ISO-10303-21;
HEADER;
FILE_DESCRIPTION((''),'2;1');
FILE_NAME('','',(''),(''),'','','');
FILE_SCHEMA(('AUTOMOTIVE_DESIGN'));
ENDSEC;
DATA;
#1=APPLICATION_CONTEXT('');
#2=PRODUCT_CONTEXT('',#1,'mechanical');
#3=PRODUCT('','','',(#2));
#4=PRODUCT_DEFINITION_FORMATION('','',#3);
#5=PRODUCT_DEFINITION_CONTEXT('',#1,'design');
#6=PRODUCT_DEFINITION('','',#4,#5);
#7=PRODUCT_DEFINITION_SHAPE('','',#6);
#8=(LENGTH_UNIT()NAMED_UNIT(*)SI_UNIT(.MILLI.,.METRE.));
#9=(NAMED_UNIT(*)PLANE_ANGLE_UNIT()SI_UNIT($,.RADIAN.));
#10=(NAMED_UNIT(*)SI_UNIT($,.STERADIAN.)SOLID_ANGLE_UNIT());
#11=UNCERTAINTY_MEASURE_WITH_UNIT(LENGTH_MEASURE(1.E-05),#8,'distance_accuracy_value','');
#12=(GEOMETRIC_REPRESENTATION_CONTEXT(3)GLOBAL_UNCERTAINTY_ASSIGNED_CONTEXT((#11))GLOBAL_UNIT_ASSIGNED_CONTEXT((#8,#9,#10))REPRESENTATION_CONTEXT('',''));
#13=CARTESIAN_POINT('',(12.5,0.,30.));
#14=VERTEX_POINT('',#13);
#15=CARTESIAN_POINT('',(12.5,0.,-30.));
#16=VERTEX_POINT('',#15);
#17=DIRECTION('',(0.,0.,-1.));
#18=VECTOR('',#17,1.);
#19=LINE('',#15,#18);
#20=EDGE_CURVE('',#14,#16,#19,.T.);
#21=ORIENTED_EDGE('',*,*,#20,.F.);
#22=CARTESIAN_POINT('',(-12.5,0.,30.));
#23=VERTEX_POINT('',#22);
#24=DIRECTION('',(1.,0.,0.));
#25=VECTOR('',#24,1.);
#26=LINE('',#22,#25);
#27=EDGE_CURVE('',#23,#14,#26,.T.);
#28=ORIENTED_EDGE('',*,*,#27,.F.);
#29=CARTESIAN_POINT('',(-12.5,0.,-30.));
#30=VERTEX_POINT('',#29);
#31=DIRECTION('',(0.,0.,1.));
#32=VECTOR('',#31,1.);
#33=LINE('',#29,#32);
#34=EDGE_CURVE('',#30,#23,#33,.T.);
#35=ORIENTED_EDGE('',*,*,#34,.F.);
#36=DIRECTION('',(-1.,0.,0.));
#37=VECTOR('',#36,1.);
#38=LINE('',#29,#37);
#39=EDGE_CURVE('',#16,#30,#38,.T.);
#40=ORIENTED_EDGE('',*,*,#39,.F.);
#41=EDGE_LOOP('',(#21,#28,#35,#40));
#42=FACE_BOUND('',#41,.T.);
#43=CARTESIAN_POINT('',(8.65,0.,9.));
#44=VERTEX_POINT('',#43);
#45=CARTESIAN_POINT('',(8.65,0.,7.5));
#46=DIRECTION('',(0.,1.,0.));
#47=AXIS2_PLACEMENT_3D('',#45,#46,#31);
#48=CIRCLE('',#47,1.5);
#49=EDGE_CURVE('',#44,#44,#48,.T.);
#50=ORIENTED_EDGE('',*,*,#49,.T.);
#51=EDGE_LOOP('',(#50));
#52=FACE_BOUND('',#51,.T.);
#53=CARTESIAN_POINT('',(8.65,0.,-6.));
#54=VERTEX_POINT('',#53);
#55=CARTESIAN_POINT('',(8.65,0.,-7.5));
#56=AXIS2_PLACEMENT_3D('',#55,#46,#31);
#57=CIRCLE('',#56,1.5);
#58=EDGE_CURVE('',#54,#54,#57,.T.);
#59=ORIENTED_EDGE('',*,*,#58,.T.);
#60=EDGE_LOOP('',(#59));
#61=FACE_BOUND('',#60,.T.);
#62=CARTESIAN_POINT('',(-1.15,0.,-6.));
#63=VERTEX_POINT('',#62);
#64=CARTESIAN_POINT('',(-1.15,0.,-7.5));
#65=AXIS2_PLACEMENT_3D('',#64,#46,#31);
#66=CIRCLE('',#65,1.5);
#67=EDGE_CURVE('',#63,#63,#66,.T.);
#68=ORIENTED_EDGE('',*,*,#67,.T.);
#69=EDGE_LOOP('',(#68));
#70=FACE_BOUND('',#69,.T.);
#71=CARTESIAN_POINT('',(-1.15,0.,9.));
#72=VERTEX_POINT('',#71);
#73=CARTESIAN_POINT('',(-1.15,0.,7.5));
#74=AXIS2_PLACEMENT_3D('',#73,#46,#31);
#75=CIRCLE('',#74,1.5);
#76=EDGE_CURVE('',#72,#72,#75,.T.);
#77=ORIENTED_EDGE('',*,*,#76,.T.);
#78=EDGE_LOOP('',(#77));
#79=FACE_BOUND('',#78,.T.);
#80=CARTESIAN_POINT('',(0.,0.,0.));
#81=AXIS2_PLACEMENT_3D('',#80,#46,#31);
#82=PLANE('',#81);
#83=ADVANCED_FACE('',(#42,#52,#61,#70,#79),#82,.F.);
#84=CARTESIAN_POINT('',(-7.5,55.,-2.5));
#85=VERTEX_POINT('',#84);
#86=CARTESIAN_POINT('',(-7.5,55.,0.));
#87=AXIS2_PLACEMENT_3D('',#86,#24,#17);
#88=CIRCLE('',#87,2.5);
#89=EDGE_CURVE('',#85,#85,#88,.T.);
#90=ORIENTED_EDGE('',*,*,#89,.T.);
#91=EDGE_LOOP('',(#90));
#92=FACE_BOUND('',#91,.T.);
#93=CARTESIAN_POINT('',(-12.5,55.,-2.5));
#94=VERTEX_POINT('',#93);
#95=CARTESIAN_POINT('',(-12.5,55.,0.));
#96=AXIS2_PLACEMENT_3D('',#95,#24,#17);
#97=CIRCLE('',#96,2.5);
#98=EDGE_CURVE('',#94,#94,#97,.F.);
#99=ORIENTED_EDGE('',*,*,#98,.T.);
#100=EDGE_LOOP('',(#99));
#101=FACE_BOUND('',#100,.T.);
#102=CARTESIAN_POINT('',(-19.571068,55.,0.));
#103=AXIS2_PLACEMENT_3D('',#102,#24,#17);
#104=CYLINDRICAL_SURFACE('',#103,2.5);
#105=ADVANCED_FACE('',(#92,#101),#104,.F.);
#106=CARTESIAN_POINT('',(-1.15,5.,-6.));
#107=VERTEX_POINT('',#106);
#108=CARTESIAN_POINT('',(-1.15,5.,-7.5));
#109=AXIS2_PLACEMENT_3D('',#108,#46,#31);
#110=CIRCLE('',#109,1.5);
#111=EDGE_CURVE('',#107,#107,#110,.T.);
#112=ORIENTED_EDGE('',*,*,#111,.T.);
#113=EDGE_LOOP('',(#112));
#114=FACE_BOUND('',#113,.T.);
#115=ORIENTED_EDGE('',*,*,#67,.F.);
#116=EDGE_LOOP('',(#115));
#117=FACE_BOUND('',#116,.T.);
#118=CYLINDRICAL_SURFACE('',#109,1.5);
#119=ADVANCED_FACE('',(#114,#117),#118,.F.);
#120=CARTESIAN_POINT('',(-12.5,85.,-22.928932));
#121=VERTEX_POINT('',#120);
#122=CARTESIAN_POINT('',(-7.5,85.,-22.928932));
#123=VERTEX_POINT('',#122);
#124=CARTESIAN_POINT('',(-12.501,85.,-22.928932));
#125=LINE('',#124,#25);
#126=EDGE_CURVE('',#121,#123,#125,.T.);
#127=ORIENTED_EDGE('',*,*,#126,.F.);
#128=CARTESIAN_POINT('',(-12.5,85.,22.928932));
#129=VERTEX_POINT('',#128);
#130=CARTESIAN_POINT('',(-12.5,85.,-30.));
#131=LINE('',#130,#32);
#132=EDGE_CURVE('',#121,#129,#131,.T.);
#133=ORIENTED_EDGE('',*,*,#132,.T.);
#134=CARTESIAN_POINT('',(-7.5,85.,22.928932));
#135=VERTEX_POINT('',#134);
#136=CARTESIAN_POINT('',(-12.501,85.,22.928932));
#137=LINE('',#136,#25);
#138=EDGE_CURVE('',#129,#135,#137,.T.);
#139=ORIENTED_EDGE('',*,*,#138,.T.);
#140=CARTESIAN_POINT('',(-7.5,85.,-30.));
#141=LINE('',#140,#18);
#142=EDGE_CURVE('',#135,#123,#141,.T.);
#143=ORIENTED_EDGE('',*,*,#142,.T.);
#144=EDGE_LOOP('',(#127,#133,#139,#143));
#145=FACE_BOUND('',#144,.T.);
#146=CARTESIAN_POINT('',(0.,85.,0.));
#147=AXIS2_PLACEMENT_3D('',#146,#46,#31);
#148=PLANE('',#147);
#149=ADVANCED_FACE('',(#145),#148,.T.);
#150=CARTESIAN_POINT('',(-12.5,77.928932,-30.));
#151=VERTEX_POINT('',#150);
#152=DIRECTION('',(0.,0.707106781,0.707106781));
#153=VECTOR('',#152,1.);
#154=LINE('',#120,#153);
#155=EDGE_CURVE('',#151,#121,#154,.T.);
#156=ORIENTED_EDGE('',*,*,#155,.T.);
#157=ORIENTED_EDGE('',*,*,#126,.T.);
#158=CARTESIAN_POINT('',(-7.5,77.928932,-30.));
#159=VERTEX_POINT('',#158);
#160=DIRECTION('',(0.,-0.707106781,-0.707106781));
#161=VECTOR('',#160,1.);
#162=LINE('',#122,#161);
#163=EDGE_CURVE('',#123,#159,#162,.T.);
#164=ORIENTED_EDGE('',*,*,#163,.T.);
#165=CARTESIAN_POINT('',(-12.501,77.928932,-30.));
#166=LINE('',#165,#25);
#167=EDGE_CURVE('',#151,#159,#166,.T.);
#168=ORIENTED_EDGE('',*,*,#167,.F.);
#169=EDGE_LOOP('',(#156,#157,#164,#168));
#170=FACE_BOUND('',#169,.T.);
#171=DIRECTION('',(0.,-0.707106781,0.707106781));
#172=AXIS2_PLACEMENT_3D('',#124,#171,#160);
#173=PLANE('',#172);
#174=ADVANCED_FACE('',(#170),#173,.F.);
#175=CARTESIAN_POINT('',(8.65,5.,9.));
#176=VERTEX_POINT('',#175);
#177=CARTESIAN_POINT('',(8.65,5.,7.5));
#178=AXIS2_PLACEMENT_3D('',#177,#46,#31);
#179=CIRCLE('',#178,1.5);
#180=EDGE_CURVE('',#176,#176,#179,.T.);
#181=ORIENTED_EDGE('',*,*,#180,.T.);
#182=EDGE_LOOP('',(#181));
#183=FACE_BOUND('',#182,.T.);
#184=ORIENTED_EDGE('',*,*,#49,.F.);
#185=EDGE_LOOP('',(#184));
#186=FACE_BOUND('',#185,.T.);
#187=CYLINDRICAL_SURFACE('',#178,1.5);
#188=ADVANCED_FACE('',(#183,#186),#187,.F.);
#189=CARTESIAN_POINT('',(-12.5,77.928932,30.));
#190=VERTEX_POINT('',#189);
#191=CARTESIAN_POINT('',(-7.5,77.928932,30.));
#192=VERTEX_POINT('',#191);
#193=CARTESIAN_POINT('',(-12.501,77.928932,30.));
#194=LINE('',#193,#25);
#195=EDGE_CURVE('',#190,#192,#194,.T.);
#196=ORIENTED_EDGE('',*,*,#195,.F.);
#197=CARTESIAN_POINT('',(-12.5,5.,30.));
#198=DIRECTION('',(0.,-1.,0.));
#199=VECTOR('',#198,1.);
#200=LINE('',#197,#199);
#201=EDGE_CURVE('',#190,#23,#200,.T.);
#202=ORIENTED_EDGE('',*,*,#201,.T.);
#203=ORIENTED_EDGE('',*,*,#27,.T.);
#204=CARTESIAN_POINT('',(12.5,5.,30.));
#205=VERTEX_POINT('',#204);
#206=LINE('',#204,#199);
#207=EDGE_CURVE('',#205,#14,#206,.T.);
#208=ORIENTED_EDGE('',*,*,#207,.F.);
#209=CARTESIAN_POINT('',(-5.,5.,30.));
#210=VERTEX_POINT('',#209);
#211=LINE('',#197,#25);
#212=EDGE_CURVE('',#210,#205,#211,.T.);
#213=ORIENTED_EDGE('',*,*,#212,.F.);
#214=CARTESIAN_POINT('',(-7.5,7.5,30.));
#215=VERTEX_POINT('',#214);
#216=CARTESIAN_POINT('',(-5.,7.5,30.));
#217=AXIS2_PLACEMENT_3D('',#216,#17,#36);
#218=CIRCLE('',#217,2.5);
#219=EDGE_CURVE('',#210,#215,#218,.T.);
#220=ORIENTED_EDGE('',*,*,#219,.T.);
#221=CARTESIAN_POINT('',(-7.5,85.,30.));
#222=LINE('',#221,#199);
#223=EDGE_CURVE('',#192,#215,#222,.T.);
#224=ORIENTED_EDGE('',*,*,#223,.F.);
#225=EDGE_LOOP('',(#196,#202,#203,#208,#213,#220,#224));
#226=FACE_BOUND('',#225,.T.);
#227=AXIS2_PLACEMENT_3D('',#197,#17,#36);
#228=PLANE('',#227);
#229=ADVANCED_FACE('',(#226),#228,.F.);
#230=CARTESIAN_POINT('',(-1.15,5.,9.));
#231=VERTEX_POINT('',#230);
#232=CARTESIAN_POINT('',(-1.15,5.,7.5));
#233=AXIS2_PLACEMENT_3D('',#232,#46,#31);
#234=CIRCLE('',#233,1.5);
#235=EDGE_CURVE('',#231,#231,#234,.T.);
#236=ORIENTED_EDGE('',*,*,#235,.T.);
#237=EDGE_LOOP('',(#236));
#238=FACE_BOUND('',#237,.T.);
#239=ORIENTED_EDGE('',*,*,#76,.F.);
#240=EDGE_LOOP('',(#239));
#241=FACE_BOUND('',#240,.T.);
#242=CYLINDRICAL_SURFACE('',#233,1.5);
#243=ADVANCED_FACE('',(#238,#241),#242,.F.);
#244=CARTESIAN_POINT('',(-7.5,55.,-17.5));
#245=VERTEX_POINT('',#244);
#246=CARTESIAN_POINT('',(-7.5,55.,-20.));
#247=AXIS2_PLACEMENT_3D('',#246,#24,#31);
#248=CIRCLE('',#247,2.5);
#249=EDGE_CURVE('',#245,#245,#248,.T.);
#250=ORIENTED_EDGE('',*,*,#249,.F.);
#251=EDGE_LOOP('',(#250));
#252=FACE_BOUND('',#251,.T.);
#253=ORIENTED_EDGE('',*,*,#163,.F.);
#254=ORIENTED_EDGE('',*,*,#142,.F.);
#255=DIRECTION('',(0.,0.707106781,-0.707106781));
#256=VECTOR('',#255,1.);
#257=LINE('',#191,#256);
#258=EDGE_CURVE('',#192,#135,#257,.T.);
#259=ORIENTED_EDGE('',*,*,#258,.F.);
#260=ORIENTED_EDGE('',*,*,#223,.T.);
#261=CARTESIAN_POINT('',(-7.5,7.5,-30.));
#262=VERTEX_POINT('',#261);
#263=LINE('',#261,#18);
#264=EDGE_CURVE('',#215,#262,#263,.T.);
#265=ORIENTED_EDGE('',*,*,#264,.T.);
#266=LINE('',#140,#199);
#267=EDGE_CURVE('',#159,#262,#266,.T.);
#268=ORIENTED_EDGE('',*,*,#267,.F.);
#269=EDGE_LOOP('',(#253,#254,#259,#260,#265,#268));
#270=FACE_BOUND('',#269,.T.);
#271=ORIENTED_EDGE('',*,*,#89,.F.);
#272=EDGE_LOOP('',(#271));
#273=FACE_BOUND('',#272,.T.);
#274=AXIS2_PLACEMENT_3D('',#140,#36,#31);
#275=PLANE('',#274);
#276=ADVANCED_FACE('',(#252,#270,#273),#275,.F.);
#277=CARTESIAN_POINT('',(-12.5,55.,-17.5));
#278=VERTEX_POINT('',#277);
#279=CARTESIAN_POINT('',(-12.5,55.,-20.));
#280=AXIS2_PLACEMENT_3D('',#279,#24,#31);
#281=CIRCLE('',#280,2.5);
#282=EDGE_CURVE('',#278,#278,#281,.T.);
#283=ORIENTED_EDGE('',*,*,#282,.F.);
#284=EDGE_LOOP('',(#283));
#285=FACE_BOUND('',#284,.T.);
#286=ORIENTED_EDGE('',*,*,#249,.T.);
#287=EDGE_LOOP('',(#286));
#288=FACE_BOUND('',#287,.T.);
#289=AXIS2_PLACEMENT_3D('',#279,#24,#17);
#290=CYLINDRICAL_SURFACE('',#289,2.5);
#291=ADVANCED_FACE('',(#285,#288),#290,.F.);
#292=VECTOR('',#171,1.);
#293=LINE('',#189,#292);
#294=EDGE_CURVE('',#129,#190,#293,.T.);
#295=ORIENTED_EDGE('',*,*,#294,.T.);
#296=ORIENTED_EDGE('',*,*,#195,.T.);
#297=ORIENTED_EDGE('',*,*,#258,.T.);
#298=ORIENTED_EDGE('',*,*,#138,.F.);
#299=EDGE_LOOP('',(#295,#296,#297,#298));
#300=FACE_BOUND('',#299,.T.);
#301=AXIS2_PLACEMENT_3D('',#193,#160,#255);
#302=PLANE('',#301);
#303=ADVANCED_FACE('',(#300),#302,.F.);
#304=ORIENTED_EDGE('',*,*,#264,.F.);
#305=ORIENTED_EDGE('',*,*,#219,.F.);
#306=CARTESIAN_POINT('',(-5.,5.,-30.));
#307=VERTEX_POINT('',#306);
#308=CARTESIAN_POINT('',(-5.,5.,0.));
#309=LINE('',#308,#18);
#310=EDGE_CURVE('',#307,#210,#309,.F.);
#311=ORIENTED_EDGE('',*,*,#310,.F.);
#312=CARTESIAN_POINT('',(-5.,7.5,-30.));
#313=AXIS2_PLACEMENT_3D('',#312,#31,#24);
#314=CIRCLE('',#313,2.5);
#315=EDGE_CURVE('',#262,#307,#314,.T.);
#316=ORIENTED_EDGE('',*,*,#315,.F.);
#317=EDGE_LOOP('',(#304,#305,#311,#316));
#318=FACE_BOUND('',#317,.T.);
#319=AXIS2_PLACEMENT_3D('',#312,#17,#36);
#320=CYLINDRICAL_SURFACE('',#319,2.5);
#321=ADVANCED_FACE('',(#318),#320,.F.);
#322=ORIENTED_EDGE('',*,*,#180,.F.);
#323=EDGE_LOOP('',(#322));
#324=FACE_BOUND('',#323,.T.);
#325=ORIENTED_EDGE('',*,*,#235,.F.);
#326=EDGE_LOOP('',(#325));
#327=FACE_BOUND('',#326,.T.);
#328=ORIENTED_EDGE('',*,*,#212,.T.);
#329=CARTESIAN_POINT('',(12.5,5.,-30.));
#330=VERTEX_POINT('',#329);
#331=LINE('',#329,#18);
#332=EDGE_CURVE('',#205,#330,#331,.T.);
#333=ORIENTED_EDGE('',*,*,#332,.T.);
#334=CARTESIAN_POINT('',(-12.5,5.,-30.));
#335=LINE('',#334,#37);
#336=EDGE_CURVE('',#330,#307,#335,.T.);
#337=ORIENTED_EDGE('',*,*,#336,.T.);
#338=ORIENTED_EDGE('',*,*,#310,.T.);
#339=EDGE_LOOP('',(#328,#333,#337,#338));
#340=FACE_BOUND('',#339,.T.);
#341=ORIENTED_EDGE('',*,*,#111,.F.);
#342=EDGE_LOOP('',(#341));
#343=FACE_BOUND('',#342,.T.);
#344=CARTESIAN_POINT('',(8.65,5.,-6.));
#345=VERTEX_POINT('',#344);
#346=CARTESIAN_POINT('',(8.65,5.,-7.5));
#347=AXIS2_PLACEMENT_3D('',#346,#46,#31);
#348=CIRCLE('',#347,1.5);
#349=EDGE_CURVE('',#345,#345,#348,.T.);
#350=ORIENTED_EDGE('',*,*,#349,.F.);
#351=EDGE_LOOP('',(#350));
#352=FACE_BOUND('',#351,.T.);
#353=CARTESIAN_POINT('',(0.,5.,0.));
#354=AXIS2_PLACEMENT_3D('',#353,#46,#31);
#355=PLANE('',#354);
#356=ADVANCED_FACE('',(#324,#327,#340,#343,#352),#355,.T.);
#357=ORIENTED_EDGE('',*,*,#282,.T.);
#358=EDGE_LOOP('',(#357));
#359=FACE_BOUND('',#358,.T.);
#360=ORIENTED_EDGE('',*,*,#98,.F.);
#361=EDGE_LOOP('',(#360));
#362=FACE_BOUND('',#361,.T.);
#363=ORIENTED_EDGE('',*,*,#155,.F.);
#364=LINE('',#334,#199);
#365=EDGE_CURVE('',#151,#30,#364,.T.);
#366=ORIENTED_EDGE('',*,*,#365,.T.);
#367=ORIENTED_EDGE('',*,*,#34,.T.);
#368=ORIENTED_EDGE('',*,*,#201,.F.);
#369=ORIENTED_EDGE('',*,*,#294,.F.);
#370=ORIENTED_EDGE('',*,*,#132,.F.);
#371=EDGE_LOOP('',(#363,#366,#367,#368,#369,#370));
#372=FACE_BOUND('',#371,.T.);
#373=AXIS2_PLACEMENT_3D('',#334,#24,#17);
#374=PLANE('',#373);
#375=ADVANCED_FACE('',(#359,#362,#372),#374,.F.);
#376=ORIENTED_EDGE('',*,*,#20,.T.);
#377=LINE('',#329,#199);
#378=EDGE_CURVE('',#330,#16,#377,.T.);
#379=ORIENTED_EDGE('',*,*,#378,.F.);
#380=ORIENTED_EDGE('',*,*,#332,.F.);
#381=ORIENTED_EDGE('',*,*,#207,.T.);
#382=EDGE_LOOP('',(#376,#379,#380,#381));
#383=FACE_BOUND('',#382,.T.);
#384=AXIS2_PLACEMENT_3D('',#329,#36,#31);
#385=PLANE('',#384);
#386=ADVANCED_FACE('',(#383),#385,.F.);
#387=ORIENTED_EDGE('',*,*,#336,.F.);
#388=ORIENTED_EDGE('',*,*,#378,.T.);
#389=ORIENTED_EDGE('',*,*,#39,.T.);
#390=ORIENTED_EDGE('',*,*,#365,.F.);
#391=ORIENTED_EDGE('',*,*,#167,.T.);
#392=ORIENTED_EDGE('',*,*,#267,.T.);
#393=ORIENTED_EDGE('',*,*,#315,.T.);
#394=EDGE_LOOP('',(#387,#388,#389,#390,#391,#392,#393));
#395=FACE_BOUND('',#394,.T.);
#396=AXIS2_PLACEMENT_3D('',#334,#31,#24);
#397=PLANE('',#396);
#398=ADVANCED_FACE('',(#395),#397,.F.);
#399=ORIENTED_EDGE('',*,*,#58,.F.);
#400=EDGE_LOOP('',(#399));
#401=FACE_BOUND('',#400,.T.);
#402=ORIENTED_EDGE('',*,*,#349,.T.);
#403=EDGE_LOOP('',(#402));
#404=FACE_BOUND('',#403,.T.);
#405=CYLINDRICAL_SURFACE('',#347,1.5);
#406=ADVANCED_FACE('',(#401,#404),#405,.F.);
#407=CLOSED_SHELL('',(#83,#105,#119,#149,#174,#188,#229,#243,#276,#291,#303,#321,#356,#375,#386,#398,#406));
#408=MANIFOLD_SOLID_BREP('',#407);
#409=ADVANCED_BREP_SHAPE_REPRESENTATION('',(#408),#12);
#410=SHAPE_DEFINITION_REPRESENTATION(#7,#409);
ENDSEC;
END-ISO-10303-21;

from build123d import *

# Parameters (mm, degrees)
SKETCH1_W             = 25
SKETCH1_H             = 60
BOSS_EXTRUDE1_DEPTH   = 5
SKETCH8_W             = 5
SKETCH8_H             = 60
BOSS_EXTRUDE2_DEPTH   = 80
SKETCH9_R             = 2.5
CUT_EXTRUDE1_DEPTH    = 5
CUT_EXTRUDE2_REACH    = 7
FILLET1_R             = 2.5
F_3_0MM_DOWEL_HOLE2_D = 3
SKETCH15_R            = 2.5
CUT_EXTRUDE3_DEPTH    = 6


with BuildPart() as part:
    # Sketch1 → Boss-Extrude1 (new body)
    with BuildSketch(Plane(origin=(0, 0, 0), x_dir=(1, 0, 0), z_dir=(0, 1, 0))):
        Rectangle(SKETCH1_W, SKETCH1_H)
    extrude(amount=BOSS_EXTRUDE1_DEPTH)

    # Sketch8 → Boss-Extrude2 (add)
    with BuildSketch(Plane(origin=(0, 5, 0), x_dir=(1, 0, 0), z_dir=(0, 1, 0))):
        with Locations((-10, 0)):
            Rectangle(SKETCH8_W, SKETCH8_H)
    extrude(amount=BOSS_EXTRUDE2_DEPTH)

    # Sketch9 → Cut-Extrude1 (cut)
    with BuildSketch(Plane(origin=(-7.5, 0, 0), x_dir=(0, 0, -1), z_dir=(1, 0, 0))):
        with Locations((0, 55)):
            Circle(SKETCH9_R)
    extrude(amount=-CUT_EXTRUDE1_DEPTH, mode=Mode.SUBTRACT)

    # Sketch10 → Cut-Extrude2 (cut, up to next)
    with BuildSketch(Plane(origin=(-7.5, 0, 0), x_dir=(0, 0, -1), z_dir=(1, 0, 0)), mode=Mode.PRIVATE) as cut_extrude2_sk1:
        Polygon((-30, 77.928932188), (-22.928932188, 85), (-30, 85), align=None)
    cut_extrude2_tool1 = extrude(cut_extrude2_sk1.sketch, amount=-CUT_EXTRUDE2_REACH, mode=Mode.PRIVATE) & part.part
    add(cut_extrude2_tool1.solids().sort_by_distance((-7.5, 82.642977, 27.642977))[0], mode=Mode.SUBTRACT)
    # Sketch10 → Cut-Extrude2 (cut, up to next)
    with BuildSketch(Plane(origin=(-7.5, 0, 0), x_dir=(0, 0, -1), z_dir=(1, 0, 0)), mode=Mode.PRIVATE) as cut_extrude2_sk2:
        Polygon((22.928932188, 85), (30, 77.928932188), (30, 85), align=None)
    cut_extrude2_tool2 = extrude(cut_extrude2_sk2.sketch, amount=-CUT_EXTRUDE2_REACH, mode=Mode.PRIVATE) & part.part
    add(cut_extrude2_tool2.solids().sort_by_distance((-7.5, 82.642977, -27.642977))[0], mode=Mode.SUBTRACT)

    # Fillet1
    fillet1_edges = [part.edges().sort_by_distance(p)[0] for p in [
        (-7.5, 5, 0),
    ]]
    fillet(fillet1_edges, radius=FILLET1_R)

    # Ø3.0mm Dowel Hole2 (through all)
    with Locations(Plane(origin=(0, 5, 0), x_dir=(1, 0, 0), z_dir=(0, 1, 0))):
        with Locations((-1.15, -7.5), (-1.15, 7.5)):
            f_3_0mm_dowel_hole2 = Hole(F_3_0MM_DOWEL_HOLE2_D / 2)

    # Mirror1: Ø3.0mm Dowel Hole2 across plane
    add(f_3_0mm_dowel_hole2.mirror(Plane(origin=(3.75, 0, 0), x_dir=(0, 0, 1), z_dir=(1, 0, 0))), mode=Mode.SUBTRACT)

    # Sketch15 → Cut-Extrude3 (cut, through all)
    with BuildSketch(Plane(origin=(-7.5, 0, 0), x_dir=(0, 0, -1), z_dir=(1, 0, 0))):
        with Locations((20, 55)):
            Circle(SKETCH15_R)
    extrude(amount=-CUT_EXTRUDE3_DEPTH, mode=Mode.SUBTRACT)


solid = part.part
